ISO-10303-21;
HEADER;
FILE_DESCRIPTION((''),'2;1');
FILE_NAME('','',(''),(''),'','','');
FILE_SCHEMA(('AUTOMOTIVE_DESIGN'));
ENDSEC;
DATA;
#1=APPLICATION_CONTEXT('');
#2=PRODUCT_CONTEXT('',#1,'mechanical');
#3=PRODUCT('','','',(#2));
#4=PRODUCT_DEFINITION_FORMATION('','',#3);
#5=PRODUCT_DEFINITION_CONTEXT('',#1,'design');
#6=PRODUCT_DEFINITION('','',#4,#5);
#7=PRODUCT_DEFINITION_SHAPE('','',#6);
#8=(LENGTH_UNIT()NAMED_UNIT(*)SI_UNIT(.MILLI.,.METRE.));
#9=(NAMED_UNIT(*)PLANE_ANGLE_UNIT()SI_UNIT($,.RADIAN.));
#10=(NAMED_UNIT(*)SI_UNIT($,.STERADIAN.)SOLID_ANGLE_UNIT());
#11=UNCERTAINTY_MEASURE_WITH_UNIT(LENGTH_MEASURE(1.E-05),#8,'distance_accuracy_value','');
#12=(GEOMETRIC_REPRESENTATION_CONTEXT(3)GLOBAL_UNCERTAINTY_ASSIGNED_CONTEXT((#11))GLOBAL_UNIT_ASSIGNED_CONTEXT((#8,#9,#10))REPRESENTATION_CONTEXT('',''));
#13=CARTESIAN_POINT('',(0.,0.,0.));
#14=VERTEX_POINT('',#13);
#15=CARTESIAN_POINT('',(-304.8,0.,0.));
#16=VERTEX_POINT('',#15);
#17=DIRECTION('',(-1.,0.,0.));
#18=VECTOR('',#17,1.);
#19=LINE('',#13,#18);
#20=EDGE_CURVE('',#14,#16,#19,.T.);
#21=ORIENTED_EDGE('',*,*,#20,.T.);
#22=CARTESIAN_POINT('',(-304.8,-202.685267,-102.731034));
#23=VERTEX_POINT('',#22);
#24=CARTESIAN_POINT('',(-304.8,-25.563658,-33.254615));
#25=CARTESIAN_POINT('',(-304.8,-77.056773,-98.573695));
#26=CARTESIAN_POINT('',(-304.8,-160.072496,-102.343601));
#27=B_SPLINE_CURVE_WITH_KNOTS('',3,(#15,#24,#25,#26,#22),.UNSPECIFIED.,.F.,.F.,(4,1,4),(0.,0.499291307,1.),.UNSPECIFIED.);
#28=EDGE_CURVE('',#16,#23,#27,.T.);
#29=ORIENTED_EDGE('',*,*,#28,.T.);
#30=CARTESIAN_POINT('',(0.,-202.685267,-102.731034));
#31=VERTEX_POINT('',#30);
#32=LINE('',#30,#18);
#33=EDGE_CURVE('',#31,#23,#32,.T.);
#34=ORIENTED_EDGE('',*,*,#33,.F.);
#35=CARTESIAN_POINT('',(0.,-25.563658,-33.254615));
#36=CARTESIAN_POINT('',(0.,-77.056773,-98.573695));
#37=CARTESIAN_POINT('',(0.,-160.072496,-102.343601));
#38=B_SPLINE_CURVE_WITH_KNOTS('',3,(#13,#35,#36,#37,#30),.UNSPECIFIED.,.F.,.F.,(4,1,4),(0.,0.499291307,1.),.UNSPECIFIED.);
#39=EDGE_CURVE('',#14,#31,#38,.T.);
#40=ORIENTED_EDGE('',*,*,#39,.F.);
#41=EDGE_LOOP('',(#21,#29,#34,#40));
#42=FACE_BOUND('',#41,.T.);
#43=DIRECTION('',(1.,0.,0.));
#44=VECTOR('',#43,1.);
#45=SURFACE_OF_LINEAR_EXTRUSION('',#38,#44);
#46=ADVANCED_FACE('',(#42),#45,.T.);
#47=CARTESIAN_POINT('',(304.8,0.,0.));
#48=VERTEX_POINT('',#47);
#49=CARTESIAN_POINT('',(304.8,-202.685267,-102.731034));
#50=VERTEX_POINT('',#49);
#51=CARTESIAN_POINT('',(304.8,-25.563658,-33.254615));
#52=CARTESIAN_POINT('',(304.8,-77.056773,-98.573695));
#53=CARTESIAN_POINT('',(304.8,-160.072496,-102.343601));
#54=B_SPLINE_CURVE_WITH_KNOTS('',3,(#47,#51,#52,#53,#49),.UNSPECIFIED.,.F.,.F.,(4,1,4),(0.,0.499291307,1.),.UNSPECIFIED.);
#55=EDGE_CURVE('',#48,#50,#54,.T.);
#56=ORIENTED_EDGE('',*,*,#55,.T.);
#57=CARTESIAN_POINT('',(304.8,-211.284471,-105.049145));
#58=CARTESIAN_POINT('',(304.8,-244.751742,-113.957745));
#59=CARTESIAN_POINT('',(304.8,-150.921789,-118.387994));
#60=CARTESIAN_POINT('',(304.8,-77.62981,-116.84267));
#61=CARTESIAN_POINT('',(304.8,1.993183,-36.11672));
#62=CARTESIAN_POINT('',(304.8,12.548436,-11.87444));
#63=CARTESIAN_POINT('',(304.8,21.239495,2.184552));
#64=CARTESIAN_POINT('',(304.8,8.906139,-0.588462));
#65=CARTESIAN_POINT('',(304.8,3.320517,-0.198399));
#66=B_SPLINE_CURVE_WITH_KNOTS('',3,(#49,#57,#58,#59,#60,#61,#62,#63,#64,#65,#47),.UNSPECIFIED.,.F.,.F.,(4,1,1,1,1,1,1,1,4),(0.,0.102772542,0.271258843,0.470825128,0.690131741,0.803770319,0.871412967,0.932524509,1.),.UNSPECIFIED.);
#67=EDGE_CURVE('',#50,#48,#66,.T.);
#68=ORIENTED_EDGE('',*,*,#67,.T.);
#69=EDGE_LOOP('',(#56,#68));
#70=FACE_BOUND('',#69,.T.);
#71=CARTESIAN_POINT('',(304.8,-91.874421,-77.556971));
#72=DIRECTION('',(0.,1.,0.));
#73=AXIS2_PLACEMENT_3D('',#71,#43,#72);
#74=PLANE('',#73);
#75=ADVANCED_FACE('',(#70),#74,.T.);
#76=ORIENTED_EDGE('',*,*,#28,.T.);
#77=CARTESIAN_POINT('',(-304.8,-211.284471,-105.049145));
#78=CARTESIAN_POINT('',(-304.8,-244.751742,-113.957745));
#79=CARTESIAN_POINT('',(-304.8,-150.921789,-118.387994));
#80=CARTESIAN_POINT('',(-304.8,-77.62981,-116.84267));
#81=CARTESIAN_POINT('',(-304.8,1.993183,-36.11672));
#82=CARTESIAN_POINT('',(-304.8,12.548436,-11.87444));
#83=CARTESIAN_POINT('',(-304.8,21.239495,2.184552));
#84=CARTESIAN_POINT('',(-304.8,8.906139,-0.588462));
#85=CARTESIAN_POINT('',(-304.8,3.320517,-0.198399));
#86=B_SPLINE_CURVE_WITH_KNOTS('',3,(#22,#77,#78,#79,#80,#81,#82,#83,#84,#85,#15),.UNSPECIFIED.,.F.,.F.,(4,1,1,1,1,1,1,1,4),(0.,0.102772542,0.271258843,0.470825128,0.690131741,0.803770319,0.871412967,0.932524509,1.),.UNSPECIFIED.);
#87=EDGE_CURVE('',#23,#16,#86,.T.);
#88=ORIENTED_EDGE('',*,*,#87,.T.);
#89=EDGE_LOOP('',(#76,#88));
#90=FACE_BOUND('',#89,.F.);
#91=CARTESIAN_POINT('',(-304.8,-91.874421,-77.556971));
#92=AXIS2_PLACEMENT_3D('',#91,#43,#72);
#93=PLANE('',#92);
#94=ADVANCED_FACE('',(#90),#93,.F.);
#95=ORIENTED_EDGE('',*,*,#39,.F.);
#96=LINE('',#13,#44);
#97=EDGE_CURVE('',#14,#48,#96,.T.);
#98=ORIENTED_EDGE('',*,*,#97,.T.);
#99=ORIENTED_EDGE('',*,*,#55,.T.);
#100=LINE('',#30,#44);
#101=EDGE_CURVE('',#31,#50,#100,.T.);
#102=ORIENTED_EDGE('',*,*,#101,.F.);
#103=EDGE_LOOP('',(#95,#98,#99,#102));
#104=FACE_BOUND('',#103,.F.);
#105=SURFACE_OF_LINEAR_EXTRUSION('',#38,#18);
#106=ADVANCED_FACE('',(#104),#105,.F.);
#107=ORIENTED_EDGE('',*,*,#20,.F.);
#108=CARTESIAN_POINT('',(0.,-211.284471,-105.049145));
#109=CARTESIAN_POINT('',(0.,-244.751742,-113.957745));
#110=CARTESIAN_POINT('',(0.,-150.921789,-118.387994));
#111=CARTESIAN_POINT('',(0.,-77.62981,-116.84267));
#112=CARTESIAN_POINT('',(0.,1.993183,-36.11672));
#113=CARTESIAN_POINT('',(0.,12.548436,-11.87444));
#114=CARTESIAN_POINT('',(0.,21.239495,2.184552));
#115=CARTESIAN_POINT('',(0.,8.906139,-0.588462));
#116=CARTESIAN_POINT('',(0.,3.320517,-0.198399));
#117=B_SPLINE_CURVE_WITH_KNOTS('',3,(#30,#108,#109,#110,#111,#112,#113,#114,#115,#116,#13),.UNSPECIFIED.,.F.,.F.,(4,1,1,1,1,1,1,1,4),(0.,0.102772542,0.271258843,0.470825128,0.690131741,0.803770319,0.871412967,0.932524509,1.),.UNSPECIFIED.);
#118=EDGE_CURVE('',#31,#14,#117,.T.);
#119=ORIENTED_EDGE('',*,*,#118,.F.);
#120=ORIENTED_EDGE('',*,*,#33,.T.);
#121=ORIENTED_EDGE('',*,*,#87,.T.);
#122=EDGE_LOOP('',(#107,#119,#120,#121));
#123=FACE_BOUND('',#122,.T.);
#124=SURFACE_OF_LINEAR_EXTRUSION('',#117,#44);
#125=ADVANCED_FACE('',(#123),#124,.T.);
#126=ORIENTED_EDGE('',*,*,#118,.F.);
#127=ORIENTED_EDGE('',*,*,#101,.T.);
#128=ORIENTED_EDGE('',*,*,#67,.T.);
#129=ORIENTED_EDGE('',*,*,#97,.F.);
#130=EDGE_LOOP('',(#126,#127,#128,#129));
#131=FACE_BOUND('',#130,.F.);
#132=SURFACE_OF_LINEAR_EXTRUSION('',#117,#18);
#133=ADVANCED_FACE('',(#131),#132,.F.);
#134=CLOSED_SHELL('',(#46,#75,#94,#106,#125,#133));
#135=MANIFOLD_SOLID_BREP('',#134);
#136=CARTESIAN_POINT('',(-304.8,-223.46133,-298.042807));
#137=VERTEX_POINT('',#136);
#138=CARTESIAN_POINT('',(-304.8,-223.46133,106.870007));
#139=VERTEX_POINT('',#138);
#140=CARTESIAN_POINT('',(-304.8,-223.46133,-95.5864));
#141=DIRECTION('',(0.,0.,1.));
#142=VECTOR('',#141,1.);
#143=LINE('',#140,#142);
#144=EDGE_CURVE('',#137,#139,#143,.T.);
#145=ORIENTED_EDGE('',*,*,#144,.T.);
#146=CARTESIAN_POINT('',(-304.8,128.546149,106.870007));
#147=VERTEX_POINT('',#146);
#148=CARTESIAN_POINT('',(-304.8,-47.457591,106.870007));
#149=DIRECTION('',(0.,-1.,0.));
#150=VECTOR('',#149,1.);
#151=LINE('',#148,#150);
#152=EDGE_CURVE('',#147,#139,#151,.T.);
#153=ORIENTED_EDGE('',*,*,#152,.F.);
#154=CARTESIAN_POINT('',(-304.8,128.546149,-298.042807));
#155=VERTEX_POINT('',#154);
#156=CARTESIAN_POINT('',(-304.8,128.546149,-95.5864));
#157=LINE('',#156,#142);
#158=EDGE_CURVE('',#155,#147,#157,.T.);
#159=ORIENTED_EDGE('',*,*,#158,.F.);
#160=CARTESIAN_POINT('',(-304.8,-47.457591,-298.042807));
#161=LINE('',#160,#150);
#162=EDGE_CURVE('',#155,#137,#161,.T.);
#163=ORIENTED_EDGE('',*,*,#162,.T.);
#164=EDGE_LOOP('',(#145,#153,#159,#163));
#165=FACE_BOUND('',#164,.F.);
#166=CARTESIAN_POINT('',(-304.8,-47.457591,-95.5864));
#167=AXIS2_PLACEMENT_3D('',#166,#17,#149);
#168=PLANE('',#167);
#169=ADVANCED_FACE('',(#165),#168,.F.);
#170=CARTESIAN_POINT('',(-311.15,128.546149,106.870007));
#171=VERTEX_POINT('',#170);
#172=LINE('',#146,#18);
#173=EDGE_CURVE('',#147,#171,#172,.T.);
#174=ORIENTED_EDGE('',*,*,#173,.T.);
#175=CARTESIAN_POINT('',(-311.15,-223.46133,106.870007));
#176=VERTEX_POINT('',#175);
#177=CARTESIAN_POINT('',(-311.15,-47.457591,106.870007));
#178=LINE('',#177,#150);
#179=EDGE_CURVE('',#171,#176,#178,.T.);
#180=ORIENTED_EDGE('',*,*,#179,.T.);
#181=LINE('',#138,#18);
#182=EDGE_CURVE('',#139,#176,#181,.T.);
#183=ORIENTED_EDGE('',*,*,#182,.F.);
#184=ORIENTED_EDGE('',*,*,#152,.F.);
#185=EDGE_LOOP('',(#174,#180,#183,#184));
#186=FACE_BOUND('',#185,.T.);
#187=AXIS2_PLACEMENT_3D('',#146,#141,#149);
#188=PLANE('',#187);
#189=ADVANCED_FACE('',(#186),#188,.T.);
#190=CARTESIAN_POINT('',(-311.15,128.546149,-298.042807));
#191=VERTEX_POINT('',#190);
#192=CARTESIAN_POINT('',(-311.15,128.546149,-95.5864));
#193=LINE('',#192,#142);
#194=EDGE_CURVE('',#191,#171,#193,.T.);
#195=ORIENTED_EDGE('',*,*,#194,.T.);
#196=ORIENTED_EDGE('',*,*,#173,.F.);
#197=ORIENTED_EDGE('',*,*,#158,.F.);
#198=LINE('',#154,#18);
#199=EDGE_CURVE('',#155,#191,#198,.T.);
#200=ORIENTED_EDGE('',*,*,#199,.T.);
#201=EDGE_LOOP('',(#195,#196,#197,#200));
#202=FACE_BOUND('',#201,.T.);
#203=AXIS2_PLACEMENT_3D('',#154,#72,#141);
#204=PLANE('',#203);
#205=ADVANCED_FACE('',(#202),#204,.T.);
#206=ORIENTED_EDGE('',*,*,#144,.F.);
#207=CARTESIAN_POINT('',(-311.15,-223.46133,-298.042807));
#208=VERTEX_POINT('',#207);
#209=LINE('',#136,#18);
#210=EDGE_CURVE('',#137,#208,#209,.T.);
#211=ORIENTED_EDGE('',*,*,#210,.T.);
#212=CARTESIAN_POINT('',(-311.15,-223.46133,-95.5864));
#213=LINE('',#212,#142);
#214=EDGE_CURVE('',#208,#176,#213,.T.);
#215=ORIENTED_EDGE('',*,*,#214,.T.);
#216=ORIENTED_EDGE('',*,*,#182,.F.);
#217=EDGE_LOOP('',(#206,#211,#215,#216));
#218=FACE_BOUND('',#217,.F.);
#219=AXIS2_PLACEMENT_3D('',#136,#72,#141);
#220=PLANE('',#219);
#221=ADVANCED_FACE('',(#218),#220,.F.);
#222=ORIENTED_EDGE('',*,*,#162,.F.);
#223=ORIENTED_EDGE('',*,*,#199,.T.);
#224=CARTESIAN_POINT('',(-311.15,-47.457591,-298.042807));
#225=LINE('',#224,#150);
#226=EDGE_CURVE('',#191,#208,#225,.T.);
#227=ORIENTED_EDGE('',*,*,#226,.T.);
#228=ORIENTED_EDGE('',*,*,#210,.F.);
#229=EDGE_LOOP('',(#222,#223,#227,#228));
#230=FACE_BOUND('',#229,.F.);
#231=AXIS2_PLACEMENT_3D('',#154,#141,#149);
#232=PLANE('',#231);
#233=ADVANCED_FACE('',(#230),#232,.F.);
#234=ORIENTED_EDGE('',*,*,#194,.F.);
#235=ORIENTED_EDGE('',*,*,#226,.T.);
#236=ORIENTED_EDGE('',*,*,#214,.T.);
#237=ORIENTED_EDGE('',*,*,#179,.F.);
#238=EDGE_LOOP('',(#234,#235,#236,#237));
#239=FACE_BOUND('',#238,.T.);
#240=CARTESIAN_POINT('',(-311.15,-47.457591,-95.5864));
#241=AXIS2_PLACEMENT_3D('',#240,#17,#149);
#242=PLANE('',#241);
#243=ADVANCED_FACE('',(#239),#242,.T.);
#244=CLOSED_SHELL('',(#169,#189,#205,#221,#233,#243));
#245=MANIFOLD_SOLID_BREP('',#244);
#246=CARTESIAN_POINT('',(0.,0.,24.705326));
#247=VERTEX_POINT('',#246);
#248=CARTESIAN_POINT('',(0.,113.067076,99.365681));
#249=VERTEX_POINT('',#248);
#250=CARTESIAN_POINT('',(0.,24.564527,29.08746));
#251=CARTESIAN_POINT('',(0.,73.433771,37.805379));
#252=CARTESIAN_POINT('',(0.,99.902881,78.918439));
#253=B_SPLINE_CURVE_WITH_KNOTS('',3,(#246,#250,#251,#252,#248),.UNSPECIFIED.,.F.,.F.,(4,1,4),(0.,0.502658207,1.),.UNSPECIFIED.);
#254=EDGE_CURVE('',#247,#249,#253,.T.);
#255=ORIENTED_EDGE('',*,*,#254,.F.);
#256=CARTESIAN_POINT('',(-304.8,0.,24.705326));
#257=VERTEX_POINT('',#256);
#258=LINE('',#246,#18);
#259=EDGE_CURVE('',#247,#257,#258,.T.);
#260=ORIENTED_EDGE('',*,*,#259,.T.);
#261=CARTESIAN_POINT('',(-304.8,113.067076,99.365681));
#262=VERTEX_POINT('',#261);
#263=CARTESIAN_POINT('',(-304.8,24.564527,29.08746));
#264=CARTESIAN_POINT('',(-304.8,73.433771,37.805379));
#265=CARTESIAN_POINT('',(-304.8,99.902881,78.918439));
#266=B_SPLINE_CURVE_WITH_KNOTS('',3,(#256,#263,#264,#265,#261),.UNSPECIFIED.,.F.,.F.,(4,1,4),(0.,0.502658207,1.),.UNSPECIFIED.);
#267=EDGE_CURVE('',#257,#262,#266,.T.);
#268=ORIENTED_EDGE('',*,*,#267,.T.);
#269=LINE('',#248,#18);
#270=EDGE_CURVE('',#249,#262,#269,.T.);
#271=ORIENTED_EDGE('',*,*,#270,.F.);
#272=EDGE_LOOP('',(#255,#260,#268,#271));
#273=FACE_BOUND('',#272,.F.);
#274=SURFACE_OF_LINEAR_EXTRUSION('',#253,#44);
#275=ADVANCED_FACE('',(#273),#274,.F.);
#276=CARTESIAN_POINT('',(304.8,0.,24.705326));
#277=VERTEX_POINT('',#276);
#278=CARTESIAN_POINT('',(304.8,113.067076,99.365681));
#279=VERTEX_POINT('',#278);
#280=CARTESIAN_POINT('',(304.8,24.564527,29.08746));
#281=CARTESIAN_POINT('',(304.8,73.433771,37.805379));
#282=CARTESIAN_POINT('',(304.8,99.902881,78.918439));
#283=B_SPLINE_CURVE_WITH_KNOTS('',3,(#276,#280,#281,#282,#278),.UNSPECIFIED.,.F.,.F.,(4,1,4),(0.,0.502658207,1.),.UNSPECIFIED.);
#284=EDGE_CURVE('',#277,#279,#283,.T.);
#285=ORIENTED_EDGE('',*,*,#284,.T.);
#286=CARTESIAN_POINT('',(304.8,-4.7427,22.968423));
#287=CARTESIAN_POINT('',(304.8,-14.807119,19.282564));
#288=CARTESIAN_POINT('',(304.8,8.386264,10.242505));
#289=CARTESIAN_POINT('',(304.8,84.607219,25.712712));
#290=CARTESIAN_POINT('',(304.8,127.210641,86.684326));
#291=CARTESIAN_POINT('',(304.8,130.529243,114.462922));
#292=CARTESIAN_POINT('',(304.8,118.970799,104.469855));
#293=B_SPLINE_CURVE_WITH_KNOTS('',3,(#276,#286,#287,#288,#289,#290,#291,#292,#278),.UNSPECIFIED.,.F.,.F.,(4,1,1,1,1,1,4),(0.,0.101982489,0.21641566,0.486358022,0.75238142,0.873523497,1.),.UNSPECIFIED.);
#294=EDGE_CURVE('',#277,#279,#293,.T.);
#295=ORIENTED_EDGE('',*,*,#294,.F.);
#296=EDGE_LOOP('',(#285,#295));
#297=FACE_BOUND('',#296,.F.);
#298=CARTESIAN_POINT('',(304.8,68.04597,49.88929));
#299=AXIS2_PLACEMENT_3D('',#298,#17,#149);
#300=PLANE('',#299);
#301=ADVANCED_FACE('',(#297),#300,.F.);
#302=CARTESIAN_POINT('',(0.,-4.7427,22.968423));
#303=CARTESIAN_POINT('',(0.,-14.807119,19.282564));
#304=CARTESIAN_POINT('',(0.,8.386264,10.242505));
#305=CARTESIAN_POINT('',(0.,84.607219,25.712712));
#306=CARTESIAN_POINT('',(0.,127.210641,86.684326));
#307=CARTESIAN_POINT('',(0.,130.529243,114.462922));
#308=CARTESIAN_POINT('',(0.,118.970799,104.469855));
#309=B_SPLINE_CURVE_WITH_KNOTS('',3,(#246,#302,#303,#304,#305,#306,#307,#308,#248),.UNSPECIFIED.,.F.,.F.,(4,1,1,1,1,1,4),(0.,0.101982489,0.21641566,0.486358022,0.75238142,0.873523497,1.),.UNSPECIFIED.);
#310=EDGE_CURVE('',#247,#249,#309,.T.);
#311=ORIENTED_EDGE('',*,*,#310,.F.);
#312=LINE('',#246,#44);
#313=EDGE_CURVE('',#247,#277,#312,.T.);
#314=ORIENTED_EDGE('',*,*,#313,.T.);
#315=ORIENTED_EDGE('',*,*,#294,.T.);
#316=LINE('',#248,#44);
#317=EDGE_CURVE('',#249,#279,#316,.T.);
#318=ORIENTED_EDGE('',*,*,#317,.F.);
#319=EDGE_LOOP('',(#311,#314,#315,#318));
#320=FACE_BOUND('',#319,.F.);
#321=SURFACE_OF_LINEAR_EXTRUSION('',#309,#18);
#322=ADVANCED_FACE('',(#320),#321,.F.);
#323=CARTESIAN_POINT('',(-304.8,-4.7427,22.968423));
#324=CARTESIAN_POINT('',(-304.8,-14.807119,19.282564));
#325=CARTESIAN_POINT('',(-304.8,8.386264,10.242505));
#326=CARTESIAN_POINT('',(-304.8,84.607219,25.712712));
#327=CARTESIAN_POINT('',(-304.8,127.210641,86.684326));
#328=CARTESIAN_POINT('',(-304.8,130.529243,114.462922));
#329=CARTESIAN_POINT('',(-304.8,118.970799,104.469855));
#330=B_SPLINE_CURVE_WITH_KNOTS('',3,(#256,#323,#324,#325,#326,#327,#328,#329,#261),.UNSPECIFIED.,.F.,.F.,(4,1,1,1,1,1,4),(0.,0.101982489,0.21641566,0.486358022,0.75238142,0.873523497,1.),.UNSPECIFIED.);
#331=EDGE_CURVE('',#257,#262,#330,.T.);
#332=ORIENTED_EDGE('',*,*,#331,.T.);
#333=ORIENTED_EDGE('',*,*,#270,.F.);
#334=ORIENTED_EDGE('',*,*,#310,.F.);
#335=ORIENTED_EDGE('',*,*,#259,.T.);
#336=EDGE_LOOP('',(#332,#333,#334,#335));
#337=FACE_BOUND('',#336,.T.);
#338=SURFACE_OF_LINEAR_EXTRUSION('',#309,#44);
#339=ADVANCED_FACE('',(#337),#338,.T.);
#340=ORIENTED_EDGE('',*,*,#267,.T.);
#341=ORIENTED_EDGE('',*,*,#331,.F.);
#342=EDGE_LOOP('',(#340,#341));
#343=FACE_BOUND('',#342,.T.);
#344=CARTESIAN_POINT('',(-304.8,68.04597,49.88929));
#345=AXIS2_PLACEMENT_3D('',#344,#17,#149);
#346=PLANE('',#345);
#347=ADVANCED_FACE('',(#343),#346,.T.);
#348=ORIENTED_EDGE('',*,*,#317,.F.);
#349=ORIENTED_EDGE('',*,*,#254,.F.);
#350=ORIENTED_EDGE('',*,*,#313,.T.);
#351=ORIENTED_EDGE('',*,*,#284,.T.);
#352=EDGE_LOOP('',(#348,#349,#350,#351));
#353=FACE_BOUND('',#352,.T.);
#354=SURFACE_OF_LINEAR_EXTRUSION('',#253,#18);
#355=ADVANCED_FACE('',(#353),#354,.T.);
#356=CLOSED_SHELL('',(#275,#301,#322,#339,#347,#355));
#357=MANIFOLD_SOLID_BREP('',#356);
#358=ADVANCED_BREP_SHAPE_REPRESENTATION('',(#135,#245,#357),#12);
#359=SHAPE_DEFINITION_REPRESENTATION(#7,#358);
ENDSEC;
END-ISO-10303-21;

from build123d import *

# Parameters (mm, degrees)
F1_DEPTH      = 304.8
F1_DEPTH_BACK = 304.8
F2_W          = 352.0074793358
F2_H          = 404.9128138673
F3_DEPTH      = 6.35


with BuildPart() as f1:
    # F0 (on Right) → F1 (new body, two sides)
    with BuildSketch(Plane.YZ) as f1_sk:
        with BuildLine():
            add(Edge.make_bspline(
                [(-202.6852667332, -102.7310341597), (-211.2844708777, -105.0491450978), (-244.7517417054, -113.9577447915), (-150.921789205, -118.3879937753), (-77.6298104244, -116.8426703272), (1.9931834611, -36.1167204141), (12.5484359057, -11.874440147), (21.2394947025, 2.1845515765), (8.9061392196, -0.5884617957), (3.3205170334, -0.1983987481), (0, 0)],
                knots=[0, 0, 0, 0, 0.1027725422, 0.2712588428, 0.4708251277, 0.6901317405, 0.8037703185, 0.8714129667, 0.9325245086, 1, 1, 1, 1], degree=3))
            add(Edge.make_bspline(
                [(0, 0), (-25.563658428, -33.254615137), (-77.0567733596, -98.5736954544), (-160.0724958466, -102.3436006576), (-202.6852667332, -102.7310341597)],
                knots=[0, 0, 0, 0, 0.4992913072, 1, 1, 1, 1], degree=3))
        make_face()
    extrude(amount=F1_DEPTH)
    extrude(f1_sk.sketch, amount=-F1_DEPTH_BACK)


with BuildPart() as f1b:
    # F0 (on Right) → F1, piece 2 (new body, two sides)
    with BuildSketch(Plane.YZ) as f1_2_sk:
        with BuildLine():
            add(Edge.make_bspline(
                [(0, 24.7053261846), (24.5645267828, 29.0874599649), (73.4337711907, 37.8053794521), (99.9028810565, 78.9184387784), (113.0670756102, 99.3656814098)],
                knots=[0, 0, 0, 0, 0.5026582072, 1, 1, 1, 1], degree=3))
            add(Edge.make_bspline(
                [(0, 24.7053261846), (-4.7426999966, 22.9684229179), (-14.8071194978, 19.2825639933), (8.3862644827, 10.2425050031), (84.6072193814, 25.7127115357), (127.2106411001, 86.6843261724), (130.5292433566, 114.4629215991), (118.9707990569, 104.4698547394), (113.0670756102, 99.3656814098)],
                knots=[0, 0, 0, 0, 0.1019824891, 0.2164156605, 0.4863580219, 0.7523814198, 0.8735234968, 1, 1, 1, 1], degree=3))
        make_face()
    extrude(amount=F1_DEPTH)
    extrude(f1_2_sk.sketch, amount=-F1_DEPTH_BACK)


with BuildPart() as f3:
    # F2 (on face) → F3 (new body)
    with BuildSketch(Plane(origin=(-304.8, 0, 0), x_dir=(0, -1, 0), z_dir=(-1, 0, 0))):
        with Locations((47.4575905058, -95.5863998012)):
            Rectangle(F2_W, F2_H)
    extrude(amount=F3_DEPTH)


solid = Compound([f1.part, f1b.part, f3.part])
